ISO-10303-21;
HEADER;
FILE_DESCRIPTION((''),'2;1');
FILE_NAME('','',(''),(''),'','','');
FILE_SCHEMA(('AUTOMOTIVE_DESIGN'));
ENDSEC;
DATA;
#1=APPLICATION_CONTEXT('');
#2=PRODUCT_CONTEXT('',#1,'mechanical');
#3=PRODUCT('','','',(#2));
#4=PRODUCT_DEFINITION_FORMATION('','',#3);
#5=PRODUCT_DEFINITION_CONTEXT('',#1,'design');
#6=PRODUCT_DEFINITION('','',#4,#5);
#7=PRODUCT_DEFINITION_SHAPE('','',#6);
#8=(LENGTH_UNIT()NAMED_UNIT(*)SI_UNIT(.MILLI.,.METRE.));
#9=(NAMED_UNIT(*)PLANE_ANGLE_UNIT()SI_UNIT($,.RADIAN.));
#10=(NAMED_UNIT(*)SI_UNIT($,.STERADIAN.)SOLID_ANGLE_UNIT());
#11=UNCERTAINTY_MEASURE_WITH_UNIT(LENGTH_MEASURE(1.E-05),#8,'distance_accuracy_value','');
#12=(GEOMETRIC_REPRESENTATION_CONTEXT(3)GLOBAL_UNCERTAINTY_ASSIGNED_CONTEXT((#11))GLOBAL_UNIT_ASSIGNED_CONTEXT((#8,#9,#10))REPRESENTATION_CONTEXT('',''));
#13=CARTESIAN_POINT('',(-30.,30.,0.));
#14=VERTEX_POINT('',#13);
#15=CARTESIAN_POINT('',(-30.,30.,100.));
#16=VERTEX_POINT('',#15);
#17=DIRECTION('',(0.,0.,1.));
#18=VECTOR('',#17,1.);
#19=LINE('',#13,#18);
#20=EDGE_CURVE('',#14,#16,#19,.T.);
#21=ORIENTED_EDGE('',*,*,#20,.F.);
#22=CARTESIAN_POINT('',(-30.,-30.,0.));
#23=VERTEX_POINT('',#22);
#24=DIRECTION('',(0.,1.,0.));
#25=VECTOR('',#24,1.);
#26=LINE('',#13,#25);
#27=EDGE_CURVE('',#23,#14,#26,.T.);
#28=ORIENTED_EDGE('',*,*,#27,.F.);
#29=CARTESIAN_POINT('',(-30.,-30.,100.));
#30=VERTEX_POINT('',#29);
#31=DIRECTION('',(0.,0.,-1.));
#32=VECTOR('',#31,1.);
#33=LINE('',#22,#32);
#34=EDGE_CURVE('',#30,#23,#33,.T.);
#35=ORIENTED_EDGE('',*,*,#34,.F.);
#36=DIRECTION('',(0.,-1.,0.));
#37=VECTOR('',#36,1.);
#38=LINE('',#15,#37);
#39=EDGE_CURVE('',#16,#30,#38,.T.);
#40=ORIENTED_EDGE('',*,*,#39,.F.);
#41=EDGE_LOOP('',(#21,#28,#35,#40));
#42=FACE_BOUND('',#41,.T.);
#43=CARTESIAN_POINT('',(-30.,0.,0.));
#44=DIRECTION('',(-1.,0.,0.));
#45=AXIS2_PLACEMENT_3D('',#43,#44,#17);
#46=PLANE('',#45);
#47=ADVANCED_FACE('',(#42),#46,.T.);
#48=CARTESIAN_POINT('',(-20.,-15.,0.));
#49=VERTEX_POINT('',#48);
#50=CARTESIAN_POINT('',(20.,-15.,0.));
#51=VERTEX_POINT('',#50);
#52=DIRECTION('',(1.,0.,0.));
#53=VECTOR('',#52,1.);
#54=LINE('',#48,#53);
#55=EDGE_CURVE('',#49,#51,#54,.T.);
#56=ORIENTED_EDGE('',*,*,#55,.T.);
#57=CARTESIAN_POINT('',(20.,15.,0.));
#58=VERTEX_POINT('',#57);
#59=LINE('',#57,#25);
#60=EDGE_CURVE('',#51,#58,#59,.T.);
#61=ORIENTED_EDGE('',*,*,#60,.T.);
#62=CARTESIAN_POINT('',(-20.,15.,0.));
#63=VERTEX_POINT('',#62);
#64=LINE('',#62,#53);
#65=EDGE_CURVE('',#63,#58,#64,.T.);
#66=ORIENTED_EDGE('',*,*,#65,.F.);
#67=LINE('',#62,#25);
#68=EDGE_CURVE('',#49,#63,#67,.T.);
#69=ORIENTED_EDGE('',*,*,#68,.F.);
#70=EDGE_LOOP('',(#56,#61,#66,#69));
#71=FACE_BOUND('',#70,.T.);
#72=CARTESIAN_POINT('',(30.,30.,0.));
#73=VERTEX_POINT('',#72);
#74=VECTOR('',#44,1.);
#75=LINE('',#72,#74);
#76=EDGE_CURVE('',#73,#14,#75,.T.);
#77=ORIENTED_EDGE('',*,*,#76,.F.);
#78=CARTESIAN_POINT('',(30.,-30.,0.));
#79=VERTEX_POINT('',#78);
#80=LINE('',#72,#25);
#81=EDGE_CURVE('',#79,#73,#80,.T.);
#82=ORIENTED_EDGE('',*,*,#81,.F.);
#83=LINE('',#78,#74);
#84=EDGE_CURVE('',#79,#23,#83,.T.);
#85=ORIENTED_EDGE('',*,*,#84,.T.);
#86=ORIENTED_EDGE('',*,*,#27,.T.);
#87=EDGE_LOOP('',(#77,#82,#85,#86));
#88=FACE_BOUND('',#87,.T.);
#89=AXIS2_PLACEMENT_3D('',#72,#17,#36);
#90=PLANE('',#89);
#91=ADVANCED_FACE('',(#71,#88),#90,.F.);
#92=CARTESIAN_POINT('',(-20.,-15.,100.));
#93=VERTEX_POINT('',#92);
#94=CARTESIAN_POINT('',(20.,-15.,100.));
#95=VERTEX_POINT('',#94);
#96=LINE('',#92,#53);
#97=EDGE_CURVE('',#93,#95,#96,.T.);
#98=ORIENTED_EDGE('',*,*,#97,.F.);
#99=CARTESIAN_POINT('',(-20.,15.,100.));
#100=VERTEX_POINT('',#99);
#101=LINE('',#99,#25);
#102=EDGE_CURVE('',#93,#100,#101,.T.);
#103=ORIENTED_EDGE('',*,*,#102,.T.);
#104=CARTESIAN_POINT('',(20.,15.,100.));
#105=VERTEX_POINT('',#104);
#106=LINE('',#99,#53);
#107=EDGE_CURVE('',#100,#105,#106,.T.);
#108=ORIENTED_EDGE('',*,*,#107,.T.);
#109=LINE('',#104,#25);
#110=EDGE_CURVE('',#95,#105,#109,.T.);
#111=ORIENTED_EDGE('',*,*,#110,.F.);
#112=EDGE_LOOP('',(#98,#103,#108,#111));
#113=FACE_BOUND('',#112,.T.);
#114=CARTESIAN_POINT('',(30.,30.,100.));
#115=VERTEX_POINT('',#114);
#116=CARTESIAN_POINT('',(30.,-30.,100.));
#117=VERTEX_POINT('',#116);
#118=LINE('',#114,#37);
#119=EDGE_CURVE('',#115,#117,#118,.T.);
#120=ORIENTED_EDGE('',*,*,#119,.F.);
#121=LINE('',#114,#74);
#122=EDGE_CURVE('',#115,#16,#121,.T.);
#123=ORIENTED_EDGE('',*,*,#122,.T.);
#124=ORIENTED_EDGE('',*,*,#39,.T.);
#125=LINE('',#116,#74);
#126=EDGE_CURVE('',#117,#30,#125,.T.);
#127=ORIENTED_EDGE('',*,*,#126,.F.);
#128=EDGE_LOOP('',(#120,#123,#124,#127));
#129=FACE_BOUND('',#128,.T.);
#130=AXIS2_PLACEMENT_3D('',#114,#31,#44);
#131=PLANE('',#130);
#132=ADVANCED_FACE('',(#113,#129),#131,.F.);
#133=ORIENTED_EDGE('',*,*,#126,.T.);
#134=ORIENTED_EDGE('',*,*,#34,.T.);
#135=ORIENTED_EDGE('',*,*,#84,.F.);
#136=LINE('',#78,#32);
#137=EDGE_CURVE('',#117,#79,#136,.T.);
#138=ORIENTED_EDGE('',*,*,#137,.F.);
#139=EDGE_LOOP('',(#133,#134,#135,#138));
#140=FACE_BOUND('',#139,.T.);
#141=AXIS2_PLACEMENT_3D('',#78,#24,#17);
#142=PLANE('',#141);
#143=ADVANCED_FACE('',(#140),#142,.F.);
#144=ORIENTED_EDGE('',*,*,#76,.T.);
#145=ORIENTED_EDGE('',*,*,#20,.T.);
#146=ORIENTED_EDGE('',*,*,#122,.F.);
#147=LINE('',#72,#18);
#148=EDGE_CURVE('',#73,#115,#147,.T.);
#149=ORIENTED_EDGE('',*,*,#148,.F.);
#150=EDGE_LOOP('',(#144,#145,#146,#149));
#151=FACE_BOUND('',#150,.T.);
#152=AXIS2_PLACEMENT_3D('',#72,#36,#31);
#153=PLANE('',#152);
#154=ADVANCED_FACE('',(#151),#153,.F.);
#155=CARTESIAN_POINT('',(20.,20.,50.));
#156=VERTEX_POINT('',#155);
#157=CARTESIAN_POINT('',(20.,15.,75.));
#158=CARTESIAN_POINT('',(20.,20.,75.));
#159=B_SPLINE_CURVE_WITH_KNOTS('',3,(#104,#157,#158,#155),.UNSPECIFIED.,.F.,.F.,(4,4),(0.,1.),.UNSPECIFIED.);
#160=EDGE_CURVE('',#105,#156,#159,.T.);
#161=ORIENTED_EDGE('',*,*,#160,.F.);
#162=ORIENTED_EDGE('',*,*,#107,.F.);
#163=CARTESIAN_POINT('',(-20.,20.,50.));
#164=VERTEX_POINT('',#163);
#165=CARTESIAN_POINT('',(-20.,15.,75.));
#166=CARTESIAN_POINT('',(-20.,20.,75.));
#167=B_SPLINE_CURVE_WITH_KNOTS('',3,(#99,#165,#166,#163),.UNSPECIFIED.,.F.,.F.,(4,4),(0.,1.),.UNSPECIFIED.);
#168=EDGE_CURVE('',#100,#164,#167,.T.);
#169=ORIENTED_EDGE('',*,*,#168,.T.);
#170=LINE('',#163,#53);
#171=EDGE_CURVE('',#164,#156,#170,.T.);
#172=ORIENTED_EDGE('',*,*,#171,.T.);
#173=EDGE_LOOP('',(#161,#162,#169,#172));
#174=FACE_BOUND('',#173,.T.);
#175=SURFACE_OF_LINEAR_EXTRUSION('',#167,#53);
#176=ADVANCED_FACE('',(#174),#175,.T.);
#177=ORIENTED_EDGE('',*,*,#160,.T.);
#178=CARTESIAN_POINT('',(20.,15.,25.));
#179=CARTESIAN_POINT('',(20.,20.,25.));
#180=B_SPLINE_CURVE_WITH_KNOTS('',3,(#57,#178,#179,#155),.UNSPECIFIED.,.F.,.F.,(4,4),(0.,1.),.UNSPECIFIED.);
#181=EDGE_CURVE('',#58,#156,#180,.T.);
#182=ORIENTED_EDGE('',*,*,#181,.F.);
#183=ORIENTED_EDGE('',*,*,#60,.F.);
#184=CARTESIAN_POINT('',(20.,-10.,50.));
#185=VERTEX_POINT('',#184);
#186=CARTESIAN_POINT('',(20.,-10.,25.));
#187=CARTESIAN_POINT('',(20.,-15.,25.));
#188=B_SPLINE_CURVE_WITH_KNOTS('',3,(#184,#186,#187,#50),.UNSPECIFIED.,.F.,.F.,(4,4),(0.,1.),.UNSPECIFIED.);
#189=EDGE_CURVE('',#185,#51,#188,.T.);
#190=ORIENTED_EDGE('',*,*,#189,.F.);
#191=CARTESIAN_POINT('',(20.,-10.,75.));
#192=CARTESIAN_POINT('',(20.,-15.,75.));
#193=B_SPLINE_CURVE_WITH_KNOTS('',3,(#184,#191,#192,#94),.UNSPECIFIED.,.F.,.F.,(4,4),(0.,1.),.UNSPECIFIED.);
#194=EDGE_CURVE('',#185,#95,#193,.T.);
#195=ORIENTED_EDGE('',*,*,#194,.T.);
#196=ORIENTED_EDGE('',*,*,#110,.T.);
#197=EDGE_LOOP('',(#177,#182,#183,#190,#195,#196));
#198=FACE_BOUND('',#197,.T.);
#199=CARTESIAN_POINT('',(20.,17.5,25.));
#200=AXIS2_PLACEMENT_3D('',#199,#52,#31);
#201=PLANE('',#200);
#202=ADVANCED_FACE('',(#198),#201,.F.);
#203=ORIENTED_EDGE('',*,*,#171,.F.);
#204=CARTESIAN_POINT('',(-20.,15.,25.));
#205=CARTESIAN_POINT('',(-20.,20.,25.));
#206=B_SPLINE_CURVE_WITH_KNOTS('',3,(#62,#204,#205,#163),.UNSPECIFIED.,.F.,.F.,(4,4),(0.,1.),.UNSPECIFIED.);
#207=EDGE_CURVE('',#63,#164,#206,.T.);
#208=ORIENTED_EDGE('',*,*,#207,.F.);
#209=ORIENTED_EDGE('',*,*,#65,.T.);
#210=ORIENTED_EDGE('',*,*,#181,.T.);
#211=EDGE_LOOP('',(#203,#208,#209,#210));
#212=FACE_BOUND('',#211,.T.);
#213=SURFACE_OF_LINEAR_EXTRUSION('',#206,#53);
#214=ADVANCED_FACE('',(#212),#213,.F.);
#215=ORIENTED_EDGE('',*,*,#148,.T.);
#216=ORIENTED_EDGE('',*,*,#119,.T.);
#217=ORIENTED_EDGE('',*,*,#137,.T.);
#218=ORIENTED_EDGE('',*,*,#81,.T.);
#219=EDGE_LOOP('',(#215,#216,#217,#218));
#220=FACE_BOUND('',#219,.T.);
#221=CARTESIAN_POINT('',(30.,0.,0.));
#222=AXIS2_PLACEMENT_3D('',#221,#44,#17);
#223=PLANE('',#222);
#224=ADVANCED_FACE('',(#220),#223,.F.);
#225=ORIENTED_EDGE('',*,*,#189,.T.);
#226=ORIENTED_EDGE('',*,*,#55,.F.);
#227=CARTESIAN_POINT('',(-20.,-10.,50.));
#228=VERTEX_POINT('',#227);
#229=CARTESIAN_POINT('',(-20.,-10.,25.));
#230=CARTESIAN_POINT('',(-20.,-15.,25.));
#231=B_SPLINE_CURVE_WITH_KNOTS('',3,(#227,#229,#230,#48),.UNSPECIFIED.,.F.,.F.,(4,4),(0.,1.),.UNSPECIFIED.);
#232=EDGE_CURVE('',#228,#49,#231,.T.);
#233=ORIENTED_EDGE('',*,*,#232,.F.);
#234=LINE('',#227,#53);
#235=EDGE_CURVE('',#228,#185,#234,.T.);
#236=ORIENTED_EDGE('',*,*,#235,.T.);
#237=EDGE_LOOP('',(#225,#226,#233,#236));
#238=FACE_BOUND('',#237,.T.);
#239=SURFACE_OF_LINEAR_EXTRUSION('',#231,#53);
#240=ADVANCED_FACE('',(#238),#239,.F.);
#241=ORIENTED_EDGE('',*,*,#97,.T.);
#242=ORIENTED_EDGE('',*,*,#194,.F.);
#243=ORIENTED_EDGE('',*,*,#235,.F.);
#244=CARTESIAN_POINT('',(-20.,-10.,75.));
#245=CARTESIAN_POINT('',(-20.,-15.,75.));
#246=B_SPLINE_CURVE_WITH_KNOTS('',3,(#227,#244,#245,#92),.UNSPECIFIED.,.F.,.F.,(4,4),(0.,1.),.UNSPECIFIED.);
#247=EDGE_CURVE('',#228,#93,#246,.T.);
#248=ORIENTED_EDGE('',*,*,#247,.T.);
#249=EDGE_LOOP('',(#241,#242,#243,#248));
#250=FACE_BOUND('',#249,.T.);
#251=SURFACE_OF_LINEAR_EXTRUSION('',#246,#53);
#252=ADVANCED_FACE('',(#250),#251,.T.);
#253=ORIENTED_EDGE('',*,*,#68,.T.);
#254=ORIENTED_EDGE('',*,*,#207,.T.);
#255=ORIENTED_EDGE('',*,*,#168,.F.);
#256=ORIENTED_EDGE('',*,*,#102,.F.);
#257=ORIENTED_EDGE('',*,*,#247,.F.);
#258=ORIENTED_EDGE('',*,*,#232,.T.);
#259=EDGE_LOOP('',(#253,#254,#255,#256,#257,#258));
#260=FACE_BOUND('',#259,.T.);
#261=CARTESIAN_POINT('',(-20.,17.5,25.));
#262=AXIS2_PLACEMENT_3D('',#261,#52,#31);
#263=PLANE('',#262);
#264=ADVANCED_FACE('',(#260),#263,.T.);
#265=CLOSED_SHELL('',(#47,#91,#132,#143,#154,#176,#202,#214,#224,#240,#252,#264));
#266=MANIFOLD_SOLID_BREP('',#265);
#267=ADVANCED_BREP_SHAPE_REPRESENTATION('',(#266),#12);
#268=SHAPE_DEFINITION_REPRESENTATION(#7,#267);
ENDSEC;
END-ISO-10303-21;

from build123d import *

# Parameters (mm, degrees)
SKETCH1_W           = 100
SKETCH1_H           = 60
BOSS_EXTRUDE1_DEPTH = 30
CUT_EXTRUDE1_DEPTH  = 20


with BuildPart() as part:
    # Sketch1 → Boss-Extrude1 (new, symmetric)
    with BuildSketch(Plane(origin=(0, 0, 0), x_dir=(0, 0, -1), z_dir=(1, 0, 0))):
        with Locations((-50, 0)):
            Rectangle(SKETCH1_W, SKETCH1_H)
    extrude(amount=BOSS_EXTRUDE1_DEPTH, both=True)

    # Sketch2 → Cut-Extrude1 (cut, symmetric)
    with BuildSketch(Plane(origin=(0, 0, 0), x_dir=(0, 0, -1), z_dir=(1, 0, 0))):
        with BuildLine():
            Line((0, 15), (0, -15))
            add(Edge.make_bspline(
                [(0, -15), (-25, -15), (-25, -10), (-50, -10)],
                knots=[0, 0, 0, 0, 1, 1, 1, 1], degree=3))
            Line((-50, -10), (-50, 20))
            add(Edge.make_bspline(
                [(0, 15), (-25, 15), (-25, 20), (-50, 20)],
                knots=[0, 0, 0, 0, 1, 1, 1, 1], degree=3))
        make_face()
    cut_extrude1 = extrude(amount=CUT_EXTRUDE1_DEPTH, both=True, mode=Mode.SUBTRACT)

    # Mirror1: Cut-Extrude1 across plane
    add(cut_extrude1.mirror(Plane(origin=(-20, 20, 50), x_dir=(1, 0, 0), z_dir=(0, 0, 1))), mode=Mode.SUBTRACT)


solid = part.part
